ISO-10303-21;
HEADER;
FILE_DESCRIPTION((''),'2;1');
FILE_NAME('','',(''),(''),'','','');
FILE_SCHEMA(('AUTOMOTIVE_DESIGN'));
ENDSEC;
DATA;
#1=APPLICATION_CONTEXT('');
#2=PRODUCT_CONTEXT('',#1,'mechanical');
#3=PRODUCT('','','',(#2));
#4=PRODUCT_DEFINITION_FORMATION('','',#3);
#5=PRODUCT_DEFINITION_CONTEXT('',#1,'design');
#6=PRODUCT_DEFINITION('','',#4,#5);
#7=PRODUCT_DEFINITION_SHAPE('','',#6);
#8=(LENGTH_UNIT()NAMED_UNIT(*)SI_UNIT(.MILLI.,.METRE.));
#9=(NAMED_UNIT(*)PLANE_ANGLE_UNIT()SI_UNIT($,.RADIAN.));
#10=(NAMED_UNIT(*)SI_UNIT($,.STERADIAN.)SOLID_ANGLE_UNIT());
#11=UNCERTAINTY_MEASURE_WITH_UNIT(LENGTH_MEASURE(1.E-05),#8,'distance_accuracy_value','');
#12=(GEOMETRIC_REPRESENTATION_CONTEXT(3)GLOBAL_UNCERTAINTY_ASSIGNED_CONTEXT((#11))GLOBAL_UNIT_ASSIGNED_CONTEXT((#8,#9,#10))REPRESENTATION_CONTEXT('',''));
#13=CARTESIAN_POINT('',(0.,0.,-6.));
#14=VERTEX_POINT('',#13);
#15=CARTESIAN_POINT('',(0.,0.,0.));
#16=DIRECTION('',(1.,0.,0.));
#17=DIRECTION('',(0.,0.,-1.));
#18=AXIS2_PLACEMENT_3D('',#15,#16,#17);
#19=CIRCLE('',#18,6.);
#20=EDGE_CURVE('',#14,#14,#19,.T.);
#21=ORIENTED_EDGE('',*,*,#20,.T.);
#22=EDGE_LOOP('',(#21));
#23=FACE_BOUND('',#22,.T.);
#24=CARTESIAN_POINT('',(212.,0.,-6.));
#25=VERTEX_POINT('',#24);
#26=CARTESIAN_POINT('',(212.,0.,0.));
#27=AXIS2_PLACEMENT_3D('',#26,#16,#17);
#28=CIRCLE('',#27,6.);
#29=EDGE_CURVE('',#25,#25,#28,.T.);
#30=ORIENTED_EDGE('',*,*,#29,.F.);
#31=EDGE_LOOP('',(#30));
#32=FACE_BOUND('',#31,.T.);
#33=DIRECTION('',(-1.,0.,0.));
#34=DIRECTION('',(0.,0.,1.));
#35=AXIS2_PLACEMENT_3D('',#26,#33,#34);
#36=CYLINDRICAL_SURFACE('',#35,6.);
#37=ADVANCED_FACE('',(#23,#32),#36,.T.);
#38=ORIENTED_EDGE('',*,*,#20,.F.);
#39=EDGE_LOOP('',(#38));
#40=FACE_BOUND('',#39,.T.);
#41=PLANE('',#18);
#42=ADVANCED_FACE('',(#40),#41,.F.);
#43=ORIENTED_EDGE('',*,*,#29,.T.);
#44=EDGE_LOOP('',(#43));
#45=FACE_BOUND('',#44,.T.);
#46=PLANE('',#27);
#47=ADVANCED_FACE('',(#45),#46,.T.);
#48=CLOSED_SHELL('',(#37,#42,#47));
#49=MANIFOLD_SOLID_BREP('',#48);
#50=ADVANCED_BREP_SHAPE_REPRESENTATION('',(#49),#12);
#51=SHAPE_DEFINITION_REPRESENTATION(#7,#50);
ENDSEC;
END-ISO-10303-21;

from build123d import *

# Parameters (mm, degrees)
IZIM1_R                     = 6
Y_KSEKLIK_EKSTR_ZYON1_DEPTH = 212


with BuildPart() as part:
    # Çizim1 → Yükseklik-Ekstrüzyon1 (new body)
    with BuildSketch(Plane(origin=(0, 0, 0), x_dir=(0, 0, -1), z_dir=(1, 0, 0))):
        Circle(IZIM1_R)
    extrude(amount=Y_KSEKLIK_EKSTR_ZYON1_DEPTH)


solid = part.part
